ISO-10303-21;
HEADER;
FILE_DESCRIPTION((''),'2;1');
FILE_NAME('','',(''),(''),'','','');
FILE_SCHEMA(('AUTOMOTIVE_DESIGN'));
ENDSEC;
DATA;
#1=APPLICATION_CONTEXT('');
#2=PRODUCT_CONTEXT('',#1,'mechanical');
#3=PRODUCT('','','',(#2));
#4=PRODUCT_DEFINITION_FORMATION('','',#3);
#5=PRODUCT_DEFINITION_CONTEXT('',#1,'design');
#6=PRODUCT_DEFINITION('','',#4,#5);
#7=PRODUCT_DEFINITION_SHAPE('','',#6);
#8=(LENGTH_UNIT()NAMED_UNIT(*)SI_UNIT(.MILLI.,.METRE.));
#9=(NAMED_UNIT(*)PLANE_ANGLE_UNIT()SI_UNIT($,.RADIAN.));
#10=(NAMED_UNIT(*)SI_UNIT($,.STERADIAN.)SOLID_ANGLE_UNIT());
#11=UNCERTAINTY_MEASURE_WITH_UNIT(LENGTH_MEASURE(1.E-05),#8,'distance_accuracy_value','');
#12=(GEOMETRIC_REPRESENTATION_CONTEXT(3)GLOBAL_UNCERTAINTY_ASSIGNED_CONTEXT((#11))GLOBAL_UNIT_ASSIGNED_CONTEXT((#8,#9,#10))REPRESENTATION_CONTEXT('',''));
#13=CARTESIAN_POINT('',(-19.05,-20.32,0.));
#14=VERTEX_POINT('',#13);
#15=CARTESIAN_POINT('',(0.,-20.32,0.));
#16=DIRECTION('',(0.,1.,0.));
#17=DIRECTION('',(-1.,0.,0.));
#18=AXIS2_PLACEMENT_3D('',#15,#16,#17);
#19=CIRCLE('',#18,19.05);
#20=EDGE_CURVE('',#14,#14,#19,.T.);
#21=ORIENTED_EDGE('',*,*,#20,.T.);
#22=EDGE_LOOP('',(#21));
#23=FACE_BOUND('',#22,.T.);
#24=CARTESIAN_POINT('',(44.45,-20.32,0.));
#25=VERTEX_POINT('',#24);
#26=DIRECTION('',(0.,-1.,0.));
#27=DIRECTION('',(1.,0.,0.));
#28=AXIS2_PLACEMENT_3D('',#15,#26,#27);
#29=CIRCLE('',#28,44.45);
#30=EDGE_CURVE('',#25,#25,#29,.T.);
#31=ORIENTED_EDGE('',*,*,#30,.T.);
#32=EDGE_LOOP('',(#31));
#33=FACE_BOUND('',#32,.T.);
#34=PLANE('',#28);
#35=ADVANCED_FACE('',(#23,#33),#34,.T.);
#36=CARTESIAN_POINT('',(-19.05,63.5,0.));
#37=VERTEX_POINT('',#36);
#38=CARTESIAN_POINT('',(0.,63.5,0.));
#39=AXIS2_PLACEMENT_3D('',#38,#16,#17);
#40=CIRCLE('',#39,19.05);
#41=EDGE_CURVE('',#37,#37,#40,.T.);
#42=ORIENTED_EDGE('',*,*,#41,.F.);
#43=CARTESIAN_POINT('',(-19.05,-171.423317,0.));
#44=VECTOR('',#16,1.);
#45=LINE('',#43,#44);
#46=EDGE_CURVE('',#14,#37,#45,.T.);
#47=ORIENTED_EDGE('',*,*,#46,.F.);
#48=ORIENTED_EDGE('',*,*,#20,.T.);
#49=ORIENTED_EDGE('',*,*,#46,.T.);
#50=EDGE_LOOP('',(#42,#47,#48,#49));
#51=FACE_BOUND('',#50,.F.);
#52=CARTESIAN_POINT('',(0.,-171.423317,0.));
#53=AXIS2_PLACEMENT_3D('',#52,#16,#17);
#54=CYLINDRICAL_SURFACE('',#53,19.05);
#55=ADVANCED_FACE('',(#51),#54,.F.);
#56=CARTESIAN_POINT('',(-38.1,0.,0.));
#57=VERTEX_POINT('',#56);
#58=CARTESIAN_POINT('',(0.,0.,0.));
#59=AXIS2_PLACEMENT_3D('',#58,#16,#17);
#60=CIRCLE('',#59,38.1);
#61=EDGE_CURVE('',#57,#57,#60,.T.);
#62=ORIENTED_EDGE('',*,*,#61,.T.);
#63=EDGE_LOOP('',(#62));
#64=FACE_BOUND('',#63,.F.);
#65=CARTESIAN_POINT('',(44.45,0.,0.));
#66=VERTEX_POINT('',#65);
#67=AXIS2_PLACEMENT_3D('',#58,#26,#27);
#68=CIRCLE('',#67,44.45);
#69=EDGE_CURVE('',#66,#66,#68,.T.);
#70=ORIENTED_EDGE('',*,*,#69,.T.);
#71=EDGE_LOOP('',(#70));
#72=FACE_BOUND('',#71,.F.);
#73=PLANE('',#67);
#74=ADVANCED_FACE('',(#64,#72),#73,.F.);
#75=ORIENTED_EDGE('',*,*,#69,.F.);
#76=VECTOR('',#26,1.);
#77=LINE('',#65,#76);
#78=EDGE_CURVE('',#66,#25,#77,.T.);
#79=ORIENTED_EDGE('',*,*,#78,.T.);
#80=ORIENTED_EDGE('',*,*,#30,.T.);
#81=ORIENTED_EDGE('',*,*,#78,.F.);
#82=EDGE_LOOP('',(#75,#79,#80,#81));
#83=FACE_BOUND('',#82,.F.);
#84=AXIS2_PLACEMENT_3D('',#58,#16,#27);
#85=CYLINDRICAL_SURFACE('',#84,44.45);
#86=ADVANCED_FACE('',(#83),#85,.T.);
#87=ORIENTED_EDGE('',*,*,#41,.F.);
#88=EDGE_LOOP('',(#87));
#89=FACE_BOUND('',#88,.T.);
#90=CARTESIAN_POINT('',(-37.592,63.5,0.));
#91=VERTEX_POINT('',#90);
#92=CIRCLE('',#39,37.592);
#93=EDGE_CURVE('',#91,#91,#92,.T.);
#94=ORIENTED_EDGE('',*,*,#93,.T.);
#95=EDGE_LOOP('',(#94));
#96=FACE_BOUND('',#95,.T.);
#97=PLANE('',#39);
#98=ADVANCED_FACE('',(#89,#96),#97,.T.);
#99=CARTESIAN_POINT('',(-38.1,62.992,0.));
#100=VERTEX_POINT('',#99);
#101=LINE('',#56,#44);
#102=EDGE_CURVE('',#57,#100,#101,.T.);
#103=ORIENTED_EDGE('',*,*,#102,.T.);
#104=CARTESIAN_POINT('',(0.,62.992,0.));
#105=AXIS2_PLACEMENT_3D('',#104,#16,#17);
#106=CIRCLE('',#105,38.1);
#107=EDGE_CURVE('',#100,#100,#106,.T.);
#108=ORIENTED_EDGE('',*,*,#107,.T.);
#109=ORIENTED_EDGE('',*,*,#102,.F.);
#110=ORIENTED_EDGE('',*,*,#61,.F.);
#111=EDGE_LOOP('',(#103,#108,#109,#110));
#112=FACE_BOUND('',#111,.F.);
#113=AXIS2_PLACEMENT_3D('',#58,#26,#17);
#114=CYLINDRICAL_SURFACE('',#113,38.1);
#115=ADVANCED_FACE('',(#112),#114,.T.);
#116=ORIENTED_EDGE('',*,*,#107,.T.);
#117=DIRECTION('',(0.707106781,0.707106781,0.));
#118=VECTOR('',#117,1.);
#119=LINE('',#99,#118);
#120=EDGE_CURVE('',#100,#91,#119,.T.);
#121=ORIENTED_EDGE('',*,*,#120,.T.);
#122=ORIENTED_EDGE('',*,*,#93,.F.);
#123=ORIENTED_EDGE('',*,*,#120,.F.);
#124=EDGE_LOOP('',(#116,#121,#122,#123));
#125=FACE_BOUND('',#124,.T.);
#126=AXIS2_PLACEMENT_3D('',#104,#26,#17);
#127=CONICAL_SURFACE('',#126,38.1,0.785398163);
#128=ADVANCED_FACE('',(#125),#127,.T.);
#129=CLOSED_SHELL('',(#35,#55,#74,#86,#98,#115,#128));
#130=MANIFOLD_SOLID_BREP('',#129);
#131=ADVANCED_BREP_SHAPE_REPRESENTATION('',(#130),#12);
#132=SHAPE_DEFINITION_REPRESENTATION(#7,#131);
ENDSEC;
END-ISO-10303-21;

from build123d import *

# Parameters (mm, degrees)
F0_R     = 44.45
F1_DEPTH = 20.32
F2_R     = 38.1
F3_DEPTH = 63.5
F4_SIZE  = 0.508
F6_D     = 38.1


with BuildPart() as f1:
    # F0 (on Front) → F1 (new body)
    with BuildSketch(Plane.XZ):
        Circle(F0_R)
    extrude(amount=F1_DEPTH)

    # F2 (on face) → F3 (join)
    with BuildSketch(Plane(origin=(0, 0, 0), x_dir=(-1, 0, 0), z_dir=(0, 1, 0))):
        Circle(F2_R)
    extrude(amount=F3_DEPTH)

    # F4
    f4_edges = [f1.edges().sort_by_distance(p)[0] for p in [
        (38.1, 63.5, 0),
    ]]
    chamfer(f4_edges, length=F4_SIZE)

    # F6 (through all)
    with Locations(Plane.XZ.offset(20.32)):
        with Locations((0, 0)):
            Hole(F6_D / 2)


solid = f1.part
